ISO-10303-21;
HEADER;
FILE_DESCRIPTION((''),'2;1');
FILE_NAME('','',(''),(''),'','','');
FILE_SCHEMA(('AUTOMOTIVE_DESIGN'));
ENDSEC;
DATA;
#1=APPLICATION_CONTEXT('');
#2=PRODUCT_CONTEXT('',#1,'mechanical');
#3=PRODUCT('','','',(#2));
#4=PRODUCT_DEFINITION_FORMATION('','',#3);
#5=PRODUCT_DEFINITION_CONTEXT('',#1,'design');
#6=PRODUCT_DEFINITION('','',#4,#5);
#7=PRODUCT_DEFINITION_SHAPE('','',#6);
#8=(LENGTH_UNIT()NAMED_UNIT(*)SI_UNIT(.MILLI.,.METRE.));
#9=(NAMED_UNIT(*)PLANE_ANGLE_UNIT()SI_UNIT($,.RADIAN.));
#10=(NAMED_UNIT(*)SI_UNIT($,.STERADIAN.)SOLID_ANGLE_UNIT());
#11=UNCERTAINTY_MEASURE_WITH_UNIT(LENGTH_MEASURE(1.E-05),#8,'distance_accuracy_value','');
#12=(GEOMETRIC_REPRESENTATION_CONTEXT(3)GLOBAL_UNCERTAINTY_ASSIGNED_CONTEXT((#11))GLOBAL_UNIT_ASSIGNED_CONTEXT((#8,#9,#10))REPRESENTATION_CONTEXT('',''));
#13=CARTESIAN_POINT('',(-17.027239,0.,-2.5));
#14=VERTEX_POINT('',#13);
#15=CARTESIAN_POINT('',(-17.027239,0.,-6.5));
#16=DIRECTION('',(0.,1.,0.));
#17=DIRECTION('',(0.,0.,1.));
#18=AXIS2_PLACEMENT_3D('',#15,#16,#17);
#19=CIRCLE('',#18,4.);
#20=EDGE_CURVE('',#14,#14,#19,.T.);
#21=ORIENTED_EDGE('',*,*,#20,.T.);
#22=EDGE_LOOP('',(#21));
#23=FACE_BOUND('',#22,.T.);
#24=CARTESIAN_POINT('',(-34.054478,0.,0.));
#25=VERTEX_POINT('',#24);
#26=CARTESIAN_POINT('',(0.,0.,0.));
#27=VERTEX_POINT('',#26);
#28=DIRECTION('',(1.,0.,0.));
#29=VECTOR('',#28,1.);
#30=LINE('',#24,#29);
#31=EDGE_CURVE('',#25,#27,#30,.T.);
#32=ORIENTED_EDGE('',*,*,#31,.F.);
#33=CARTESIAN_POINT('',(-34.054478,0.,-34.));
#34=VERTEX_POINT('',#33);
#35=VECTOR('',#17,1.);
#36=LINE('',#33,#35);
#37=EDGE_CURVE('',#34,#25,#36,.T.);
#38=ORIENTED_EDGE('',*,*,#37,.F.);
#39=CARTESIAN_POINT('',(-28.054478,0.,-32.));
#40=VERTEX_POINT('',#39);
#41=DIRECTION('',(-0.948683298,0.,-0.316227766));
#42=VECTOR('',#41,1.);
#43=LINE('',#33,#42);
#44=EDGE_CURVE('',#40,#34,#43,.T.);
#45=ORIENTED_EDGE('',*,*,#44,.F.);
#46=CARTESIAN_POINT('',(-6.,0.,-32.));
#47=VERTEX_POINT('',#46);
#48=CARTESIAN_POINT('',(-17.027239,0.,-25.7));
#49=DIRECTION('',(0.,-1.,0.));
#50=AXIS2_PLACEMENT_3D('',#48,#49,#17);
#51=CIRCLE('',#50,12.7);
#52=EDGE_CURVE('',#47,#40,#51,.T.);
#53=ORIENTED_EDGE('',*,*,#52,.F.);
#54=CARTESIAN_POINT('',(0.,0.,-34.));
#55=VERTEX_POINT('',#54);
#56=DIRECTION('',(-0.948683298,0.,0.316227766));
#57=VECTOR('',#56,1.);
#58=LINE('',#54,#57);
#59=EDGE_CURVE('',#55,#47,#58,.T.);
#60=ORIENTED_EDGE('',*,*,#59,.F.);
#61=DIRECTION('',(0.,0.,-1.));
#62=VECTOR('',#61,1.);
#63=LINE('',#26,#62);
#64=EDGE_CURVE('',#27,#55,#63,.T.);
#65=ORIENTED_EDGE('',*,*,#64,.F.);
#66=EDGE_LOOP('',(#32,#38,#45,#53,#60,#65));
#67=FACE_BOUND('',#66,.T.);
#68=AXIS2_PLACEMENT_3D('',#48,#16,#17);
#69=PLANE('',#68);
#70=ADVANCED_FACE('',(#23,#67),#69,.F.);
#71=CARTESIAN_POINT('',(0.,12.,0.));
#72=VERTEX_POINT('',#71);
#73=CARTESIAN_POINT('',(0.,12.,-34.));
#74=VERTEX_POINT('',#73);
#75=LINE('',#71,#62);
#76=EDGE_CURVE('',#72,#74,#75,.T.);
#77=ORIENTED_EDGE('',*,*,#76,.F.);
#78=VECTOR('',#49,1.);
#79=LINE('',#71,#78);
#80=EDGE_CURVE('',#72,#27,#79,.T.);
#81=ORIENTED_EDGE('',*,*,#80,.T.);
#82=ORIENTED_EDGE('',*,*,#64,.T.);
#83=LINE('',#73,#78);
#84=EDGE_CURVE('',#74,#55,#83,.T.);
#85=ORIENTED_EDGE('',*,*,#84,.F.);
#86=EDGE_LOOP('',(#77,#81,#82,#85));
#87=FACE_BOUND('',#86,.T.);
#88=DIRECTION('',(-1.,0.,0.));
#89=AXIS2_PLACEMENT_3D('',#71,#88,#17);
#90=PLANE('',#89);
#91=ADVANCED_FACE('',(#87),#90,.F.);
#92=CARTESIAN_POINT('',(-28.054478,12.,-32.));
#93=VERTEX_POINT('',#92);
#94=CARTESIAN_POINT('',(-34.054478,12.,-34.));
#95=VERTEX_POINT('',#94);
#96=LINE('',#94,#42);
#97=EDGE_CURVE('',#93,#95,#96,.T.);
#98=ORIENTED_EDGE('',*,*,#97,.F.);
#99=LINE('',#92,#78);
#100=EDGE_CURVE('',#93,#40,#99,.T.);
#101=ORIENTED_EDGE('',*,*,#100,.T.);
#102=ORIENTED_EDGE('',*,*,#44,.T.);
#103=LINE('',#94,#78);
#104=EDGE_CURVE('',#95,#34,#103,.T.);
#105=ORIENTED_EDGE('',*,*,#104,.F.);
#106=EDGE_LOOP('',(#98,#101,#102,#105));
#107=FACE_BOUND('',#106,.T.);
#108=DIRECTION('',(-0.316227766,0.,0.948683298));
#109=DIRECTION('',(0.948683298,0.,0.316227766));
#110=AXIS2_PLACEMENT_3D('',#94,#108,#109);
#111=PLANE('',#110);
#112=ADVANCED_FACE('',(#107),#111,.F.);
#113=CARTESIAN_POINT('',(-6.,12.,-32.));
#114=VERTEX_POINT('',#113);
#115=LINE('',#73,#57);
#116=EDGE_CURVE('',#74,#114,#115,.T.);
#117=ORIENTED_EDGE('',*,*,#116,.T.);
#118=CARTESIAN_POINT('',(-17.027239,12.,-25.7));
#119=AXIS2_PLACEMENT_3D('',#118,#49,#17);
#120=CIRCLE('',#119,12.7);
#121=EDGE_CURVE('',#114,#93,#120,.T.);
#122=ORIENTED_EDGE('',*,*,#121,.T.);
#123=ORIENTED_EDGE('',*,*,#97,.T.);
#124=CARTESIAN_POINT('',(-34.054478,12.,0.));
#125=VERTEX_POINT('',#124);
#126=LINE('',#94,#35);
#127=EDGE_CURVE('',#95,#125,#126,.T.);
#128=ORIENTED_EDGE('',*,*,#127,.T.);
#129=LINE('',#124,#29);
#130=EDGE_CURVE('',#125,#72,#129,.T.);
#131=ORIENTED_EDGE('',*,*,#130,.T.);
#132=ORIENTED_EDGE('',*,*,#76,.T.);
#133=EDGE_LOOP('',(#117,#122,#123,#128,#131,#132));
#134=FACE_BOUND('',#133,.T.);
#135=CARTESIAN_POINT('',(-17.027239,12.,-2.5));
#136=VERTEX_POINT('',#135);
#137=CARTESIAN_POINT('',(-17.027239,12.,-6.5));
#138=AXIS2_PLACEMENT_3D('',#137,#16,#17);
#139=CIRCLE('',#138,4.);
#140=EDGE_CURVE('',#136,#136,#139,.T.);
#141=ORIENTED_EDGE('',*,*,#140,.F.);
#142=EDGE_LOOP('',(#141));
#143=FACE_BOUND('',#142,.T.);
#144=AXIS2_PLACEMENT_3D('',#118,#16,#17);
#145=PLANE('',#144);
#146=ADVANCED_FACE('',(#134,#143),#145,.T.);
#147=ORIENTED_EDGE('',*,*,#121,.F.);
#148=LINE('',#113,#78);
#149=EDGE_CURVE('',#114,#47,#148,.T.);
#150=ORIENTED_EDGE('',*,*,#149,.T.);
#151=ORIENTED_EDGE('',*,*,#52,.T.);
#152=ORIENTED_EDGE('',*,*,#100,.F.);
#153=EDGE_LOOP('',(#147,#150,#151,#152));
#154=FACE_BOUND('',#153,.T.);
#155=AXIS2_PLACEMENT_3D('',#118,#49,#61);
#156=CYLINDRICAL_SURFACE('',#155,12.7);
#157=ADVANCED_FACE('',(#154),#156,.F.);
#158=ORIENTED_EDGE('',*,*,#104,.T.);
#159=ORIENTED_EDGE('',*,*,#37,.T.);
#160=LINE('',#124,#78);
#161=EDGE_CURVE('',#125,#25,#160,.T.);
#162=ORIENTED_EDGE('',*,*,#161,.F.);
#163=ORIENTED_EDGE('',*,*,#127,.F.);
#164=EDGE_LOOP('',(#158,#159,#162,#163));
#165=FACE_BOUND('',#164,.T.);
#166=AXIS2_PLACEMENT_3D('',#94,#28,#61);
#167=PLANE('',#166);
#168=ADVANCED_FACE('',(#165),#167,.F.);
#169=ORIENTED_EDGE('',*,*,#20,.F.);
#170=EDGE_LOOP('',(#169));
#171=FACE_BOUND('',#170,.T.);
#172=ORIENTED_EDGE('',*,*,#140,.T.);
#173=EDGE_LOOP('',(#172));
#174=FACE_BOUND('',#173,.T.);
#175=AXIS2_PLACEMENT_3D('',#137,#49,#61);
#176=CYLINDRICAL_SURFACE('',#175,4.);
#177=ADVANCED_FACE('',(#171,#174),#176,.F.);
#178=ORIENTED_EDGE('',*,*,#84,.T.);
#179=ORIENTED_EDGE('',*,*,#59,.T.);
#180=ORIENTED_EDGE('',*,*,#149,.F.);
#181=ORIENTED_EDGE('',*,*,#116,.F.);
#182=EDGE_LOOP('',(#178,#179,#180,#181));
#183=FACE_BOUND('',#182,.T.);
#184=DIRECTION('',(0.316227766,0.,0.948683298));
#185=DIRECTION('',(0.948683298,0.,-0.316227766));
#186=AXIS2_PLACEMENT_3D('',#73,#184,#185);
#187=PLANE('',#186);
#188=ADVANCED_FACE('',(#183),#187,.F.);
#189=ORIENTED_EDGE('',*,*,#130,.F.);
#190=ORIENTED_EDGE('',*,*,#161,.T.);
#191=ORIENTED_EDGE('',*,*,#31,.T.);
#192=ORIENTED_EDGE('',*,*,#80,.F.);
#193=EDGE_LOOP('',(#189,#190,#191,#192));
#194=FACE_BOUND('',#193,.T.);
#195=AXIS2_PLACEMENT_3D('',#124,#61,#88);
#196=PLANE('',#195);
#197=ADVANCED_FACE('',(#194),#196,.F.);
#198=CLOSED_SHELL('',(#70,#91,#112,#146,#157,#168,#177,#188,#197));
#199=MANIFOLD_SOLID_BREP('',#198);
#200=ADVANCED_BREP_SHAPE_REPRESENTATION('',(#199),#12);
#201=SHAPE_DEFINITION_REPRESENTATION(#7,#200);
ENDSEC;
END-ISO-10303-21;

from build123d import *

# Parameters (mm, degrees)
SKETCH1_R           = 4
BOSS_EXTRUDE1_DEPTH = 12


with BuildPart() as part:
    # Sketch1 → Boss-Extrude1 (new body)
    with BuildSketch(Plane(origin=(0, 0, 0), x_dir=(1, 0, 0), z_dir=(0, 1, 0))):
        with BuildLine():
            Line((-34.054478003, 34), (-34.054478003, 0))
            Line((-34.054478003, 0), (0, 0))
            Line((0, 0), (0, 34))
            Line((0, 34), (-6, 32))
            ThreePointArc((-6, 32), (-17.027239002, 13), (-28.054478003, 32))
            Line((-28.054478003, 32), (-34.054478003, 34))
        make_face()
        with Locations(Location((-17.027239002, 6.5, 0), (0, 0, 270))):
            Circle(SKETCH1_R, mode=Mode.SUBTRACT)
    extrude(amount=BOSS_EXTRUDE1_DEPTH)


solid = part.part
